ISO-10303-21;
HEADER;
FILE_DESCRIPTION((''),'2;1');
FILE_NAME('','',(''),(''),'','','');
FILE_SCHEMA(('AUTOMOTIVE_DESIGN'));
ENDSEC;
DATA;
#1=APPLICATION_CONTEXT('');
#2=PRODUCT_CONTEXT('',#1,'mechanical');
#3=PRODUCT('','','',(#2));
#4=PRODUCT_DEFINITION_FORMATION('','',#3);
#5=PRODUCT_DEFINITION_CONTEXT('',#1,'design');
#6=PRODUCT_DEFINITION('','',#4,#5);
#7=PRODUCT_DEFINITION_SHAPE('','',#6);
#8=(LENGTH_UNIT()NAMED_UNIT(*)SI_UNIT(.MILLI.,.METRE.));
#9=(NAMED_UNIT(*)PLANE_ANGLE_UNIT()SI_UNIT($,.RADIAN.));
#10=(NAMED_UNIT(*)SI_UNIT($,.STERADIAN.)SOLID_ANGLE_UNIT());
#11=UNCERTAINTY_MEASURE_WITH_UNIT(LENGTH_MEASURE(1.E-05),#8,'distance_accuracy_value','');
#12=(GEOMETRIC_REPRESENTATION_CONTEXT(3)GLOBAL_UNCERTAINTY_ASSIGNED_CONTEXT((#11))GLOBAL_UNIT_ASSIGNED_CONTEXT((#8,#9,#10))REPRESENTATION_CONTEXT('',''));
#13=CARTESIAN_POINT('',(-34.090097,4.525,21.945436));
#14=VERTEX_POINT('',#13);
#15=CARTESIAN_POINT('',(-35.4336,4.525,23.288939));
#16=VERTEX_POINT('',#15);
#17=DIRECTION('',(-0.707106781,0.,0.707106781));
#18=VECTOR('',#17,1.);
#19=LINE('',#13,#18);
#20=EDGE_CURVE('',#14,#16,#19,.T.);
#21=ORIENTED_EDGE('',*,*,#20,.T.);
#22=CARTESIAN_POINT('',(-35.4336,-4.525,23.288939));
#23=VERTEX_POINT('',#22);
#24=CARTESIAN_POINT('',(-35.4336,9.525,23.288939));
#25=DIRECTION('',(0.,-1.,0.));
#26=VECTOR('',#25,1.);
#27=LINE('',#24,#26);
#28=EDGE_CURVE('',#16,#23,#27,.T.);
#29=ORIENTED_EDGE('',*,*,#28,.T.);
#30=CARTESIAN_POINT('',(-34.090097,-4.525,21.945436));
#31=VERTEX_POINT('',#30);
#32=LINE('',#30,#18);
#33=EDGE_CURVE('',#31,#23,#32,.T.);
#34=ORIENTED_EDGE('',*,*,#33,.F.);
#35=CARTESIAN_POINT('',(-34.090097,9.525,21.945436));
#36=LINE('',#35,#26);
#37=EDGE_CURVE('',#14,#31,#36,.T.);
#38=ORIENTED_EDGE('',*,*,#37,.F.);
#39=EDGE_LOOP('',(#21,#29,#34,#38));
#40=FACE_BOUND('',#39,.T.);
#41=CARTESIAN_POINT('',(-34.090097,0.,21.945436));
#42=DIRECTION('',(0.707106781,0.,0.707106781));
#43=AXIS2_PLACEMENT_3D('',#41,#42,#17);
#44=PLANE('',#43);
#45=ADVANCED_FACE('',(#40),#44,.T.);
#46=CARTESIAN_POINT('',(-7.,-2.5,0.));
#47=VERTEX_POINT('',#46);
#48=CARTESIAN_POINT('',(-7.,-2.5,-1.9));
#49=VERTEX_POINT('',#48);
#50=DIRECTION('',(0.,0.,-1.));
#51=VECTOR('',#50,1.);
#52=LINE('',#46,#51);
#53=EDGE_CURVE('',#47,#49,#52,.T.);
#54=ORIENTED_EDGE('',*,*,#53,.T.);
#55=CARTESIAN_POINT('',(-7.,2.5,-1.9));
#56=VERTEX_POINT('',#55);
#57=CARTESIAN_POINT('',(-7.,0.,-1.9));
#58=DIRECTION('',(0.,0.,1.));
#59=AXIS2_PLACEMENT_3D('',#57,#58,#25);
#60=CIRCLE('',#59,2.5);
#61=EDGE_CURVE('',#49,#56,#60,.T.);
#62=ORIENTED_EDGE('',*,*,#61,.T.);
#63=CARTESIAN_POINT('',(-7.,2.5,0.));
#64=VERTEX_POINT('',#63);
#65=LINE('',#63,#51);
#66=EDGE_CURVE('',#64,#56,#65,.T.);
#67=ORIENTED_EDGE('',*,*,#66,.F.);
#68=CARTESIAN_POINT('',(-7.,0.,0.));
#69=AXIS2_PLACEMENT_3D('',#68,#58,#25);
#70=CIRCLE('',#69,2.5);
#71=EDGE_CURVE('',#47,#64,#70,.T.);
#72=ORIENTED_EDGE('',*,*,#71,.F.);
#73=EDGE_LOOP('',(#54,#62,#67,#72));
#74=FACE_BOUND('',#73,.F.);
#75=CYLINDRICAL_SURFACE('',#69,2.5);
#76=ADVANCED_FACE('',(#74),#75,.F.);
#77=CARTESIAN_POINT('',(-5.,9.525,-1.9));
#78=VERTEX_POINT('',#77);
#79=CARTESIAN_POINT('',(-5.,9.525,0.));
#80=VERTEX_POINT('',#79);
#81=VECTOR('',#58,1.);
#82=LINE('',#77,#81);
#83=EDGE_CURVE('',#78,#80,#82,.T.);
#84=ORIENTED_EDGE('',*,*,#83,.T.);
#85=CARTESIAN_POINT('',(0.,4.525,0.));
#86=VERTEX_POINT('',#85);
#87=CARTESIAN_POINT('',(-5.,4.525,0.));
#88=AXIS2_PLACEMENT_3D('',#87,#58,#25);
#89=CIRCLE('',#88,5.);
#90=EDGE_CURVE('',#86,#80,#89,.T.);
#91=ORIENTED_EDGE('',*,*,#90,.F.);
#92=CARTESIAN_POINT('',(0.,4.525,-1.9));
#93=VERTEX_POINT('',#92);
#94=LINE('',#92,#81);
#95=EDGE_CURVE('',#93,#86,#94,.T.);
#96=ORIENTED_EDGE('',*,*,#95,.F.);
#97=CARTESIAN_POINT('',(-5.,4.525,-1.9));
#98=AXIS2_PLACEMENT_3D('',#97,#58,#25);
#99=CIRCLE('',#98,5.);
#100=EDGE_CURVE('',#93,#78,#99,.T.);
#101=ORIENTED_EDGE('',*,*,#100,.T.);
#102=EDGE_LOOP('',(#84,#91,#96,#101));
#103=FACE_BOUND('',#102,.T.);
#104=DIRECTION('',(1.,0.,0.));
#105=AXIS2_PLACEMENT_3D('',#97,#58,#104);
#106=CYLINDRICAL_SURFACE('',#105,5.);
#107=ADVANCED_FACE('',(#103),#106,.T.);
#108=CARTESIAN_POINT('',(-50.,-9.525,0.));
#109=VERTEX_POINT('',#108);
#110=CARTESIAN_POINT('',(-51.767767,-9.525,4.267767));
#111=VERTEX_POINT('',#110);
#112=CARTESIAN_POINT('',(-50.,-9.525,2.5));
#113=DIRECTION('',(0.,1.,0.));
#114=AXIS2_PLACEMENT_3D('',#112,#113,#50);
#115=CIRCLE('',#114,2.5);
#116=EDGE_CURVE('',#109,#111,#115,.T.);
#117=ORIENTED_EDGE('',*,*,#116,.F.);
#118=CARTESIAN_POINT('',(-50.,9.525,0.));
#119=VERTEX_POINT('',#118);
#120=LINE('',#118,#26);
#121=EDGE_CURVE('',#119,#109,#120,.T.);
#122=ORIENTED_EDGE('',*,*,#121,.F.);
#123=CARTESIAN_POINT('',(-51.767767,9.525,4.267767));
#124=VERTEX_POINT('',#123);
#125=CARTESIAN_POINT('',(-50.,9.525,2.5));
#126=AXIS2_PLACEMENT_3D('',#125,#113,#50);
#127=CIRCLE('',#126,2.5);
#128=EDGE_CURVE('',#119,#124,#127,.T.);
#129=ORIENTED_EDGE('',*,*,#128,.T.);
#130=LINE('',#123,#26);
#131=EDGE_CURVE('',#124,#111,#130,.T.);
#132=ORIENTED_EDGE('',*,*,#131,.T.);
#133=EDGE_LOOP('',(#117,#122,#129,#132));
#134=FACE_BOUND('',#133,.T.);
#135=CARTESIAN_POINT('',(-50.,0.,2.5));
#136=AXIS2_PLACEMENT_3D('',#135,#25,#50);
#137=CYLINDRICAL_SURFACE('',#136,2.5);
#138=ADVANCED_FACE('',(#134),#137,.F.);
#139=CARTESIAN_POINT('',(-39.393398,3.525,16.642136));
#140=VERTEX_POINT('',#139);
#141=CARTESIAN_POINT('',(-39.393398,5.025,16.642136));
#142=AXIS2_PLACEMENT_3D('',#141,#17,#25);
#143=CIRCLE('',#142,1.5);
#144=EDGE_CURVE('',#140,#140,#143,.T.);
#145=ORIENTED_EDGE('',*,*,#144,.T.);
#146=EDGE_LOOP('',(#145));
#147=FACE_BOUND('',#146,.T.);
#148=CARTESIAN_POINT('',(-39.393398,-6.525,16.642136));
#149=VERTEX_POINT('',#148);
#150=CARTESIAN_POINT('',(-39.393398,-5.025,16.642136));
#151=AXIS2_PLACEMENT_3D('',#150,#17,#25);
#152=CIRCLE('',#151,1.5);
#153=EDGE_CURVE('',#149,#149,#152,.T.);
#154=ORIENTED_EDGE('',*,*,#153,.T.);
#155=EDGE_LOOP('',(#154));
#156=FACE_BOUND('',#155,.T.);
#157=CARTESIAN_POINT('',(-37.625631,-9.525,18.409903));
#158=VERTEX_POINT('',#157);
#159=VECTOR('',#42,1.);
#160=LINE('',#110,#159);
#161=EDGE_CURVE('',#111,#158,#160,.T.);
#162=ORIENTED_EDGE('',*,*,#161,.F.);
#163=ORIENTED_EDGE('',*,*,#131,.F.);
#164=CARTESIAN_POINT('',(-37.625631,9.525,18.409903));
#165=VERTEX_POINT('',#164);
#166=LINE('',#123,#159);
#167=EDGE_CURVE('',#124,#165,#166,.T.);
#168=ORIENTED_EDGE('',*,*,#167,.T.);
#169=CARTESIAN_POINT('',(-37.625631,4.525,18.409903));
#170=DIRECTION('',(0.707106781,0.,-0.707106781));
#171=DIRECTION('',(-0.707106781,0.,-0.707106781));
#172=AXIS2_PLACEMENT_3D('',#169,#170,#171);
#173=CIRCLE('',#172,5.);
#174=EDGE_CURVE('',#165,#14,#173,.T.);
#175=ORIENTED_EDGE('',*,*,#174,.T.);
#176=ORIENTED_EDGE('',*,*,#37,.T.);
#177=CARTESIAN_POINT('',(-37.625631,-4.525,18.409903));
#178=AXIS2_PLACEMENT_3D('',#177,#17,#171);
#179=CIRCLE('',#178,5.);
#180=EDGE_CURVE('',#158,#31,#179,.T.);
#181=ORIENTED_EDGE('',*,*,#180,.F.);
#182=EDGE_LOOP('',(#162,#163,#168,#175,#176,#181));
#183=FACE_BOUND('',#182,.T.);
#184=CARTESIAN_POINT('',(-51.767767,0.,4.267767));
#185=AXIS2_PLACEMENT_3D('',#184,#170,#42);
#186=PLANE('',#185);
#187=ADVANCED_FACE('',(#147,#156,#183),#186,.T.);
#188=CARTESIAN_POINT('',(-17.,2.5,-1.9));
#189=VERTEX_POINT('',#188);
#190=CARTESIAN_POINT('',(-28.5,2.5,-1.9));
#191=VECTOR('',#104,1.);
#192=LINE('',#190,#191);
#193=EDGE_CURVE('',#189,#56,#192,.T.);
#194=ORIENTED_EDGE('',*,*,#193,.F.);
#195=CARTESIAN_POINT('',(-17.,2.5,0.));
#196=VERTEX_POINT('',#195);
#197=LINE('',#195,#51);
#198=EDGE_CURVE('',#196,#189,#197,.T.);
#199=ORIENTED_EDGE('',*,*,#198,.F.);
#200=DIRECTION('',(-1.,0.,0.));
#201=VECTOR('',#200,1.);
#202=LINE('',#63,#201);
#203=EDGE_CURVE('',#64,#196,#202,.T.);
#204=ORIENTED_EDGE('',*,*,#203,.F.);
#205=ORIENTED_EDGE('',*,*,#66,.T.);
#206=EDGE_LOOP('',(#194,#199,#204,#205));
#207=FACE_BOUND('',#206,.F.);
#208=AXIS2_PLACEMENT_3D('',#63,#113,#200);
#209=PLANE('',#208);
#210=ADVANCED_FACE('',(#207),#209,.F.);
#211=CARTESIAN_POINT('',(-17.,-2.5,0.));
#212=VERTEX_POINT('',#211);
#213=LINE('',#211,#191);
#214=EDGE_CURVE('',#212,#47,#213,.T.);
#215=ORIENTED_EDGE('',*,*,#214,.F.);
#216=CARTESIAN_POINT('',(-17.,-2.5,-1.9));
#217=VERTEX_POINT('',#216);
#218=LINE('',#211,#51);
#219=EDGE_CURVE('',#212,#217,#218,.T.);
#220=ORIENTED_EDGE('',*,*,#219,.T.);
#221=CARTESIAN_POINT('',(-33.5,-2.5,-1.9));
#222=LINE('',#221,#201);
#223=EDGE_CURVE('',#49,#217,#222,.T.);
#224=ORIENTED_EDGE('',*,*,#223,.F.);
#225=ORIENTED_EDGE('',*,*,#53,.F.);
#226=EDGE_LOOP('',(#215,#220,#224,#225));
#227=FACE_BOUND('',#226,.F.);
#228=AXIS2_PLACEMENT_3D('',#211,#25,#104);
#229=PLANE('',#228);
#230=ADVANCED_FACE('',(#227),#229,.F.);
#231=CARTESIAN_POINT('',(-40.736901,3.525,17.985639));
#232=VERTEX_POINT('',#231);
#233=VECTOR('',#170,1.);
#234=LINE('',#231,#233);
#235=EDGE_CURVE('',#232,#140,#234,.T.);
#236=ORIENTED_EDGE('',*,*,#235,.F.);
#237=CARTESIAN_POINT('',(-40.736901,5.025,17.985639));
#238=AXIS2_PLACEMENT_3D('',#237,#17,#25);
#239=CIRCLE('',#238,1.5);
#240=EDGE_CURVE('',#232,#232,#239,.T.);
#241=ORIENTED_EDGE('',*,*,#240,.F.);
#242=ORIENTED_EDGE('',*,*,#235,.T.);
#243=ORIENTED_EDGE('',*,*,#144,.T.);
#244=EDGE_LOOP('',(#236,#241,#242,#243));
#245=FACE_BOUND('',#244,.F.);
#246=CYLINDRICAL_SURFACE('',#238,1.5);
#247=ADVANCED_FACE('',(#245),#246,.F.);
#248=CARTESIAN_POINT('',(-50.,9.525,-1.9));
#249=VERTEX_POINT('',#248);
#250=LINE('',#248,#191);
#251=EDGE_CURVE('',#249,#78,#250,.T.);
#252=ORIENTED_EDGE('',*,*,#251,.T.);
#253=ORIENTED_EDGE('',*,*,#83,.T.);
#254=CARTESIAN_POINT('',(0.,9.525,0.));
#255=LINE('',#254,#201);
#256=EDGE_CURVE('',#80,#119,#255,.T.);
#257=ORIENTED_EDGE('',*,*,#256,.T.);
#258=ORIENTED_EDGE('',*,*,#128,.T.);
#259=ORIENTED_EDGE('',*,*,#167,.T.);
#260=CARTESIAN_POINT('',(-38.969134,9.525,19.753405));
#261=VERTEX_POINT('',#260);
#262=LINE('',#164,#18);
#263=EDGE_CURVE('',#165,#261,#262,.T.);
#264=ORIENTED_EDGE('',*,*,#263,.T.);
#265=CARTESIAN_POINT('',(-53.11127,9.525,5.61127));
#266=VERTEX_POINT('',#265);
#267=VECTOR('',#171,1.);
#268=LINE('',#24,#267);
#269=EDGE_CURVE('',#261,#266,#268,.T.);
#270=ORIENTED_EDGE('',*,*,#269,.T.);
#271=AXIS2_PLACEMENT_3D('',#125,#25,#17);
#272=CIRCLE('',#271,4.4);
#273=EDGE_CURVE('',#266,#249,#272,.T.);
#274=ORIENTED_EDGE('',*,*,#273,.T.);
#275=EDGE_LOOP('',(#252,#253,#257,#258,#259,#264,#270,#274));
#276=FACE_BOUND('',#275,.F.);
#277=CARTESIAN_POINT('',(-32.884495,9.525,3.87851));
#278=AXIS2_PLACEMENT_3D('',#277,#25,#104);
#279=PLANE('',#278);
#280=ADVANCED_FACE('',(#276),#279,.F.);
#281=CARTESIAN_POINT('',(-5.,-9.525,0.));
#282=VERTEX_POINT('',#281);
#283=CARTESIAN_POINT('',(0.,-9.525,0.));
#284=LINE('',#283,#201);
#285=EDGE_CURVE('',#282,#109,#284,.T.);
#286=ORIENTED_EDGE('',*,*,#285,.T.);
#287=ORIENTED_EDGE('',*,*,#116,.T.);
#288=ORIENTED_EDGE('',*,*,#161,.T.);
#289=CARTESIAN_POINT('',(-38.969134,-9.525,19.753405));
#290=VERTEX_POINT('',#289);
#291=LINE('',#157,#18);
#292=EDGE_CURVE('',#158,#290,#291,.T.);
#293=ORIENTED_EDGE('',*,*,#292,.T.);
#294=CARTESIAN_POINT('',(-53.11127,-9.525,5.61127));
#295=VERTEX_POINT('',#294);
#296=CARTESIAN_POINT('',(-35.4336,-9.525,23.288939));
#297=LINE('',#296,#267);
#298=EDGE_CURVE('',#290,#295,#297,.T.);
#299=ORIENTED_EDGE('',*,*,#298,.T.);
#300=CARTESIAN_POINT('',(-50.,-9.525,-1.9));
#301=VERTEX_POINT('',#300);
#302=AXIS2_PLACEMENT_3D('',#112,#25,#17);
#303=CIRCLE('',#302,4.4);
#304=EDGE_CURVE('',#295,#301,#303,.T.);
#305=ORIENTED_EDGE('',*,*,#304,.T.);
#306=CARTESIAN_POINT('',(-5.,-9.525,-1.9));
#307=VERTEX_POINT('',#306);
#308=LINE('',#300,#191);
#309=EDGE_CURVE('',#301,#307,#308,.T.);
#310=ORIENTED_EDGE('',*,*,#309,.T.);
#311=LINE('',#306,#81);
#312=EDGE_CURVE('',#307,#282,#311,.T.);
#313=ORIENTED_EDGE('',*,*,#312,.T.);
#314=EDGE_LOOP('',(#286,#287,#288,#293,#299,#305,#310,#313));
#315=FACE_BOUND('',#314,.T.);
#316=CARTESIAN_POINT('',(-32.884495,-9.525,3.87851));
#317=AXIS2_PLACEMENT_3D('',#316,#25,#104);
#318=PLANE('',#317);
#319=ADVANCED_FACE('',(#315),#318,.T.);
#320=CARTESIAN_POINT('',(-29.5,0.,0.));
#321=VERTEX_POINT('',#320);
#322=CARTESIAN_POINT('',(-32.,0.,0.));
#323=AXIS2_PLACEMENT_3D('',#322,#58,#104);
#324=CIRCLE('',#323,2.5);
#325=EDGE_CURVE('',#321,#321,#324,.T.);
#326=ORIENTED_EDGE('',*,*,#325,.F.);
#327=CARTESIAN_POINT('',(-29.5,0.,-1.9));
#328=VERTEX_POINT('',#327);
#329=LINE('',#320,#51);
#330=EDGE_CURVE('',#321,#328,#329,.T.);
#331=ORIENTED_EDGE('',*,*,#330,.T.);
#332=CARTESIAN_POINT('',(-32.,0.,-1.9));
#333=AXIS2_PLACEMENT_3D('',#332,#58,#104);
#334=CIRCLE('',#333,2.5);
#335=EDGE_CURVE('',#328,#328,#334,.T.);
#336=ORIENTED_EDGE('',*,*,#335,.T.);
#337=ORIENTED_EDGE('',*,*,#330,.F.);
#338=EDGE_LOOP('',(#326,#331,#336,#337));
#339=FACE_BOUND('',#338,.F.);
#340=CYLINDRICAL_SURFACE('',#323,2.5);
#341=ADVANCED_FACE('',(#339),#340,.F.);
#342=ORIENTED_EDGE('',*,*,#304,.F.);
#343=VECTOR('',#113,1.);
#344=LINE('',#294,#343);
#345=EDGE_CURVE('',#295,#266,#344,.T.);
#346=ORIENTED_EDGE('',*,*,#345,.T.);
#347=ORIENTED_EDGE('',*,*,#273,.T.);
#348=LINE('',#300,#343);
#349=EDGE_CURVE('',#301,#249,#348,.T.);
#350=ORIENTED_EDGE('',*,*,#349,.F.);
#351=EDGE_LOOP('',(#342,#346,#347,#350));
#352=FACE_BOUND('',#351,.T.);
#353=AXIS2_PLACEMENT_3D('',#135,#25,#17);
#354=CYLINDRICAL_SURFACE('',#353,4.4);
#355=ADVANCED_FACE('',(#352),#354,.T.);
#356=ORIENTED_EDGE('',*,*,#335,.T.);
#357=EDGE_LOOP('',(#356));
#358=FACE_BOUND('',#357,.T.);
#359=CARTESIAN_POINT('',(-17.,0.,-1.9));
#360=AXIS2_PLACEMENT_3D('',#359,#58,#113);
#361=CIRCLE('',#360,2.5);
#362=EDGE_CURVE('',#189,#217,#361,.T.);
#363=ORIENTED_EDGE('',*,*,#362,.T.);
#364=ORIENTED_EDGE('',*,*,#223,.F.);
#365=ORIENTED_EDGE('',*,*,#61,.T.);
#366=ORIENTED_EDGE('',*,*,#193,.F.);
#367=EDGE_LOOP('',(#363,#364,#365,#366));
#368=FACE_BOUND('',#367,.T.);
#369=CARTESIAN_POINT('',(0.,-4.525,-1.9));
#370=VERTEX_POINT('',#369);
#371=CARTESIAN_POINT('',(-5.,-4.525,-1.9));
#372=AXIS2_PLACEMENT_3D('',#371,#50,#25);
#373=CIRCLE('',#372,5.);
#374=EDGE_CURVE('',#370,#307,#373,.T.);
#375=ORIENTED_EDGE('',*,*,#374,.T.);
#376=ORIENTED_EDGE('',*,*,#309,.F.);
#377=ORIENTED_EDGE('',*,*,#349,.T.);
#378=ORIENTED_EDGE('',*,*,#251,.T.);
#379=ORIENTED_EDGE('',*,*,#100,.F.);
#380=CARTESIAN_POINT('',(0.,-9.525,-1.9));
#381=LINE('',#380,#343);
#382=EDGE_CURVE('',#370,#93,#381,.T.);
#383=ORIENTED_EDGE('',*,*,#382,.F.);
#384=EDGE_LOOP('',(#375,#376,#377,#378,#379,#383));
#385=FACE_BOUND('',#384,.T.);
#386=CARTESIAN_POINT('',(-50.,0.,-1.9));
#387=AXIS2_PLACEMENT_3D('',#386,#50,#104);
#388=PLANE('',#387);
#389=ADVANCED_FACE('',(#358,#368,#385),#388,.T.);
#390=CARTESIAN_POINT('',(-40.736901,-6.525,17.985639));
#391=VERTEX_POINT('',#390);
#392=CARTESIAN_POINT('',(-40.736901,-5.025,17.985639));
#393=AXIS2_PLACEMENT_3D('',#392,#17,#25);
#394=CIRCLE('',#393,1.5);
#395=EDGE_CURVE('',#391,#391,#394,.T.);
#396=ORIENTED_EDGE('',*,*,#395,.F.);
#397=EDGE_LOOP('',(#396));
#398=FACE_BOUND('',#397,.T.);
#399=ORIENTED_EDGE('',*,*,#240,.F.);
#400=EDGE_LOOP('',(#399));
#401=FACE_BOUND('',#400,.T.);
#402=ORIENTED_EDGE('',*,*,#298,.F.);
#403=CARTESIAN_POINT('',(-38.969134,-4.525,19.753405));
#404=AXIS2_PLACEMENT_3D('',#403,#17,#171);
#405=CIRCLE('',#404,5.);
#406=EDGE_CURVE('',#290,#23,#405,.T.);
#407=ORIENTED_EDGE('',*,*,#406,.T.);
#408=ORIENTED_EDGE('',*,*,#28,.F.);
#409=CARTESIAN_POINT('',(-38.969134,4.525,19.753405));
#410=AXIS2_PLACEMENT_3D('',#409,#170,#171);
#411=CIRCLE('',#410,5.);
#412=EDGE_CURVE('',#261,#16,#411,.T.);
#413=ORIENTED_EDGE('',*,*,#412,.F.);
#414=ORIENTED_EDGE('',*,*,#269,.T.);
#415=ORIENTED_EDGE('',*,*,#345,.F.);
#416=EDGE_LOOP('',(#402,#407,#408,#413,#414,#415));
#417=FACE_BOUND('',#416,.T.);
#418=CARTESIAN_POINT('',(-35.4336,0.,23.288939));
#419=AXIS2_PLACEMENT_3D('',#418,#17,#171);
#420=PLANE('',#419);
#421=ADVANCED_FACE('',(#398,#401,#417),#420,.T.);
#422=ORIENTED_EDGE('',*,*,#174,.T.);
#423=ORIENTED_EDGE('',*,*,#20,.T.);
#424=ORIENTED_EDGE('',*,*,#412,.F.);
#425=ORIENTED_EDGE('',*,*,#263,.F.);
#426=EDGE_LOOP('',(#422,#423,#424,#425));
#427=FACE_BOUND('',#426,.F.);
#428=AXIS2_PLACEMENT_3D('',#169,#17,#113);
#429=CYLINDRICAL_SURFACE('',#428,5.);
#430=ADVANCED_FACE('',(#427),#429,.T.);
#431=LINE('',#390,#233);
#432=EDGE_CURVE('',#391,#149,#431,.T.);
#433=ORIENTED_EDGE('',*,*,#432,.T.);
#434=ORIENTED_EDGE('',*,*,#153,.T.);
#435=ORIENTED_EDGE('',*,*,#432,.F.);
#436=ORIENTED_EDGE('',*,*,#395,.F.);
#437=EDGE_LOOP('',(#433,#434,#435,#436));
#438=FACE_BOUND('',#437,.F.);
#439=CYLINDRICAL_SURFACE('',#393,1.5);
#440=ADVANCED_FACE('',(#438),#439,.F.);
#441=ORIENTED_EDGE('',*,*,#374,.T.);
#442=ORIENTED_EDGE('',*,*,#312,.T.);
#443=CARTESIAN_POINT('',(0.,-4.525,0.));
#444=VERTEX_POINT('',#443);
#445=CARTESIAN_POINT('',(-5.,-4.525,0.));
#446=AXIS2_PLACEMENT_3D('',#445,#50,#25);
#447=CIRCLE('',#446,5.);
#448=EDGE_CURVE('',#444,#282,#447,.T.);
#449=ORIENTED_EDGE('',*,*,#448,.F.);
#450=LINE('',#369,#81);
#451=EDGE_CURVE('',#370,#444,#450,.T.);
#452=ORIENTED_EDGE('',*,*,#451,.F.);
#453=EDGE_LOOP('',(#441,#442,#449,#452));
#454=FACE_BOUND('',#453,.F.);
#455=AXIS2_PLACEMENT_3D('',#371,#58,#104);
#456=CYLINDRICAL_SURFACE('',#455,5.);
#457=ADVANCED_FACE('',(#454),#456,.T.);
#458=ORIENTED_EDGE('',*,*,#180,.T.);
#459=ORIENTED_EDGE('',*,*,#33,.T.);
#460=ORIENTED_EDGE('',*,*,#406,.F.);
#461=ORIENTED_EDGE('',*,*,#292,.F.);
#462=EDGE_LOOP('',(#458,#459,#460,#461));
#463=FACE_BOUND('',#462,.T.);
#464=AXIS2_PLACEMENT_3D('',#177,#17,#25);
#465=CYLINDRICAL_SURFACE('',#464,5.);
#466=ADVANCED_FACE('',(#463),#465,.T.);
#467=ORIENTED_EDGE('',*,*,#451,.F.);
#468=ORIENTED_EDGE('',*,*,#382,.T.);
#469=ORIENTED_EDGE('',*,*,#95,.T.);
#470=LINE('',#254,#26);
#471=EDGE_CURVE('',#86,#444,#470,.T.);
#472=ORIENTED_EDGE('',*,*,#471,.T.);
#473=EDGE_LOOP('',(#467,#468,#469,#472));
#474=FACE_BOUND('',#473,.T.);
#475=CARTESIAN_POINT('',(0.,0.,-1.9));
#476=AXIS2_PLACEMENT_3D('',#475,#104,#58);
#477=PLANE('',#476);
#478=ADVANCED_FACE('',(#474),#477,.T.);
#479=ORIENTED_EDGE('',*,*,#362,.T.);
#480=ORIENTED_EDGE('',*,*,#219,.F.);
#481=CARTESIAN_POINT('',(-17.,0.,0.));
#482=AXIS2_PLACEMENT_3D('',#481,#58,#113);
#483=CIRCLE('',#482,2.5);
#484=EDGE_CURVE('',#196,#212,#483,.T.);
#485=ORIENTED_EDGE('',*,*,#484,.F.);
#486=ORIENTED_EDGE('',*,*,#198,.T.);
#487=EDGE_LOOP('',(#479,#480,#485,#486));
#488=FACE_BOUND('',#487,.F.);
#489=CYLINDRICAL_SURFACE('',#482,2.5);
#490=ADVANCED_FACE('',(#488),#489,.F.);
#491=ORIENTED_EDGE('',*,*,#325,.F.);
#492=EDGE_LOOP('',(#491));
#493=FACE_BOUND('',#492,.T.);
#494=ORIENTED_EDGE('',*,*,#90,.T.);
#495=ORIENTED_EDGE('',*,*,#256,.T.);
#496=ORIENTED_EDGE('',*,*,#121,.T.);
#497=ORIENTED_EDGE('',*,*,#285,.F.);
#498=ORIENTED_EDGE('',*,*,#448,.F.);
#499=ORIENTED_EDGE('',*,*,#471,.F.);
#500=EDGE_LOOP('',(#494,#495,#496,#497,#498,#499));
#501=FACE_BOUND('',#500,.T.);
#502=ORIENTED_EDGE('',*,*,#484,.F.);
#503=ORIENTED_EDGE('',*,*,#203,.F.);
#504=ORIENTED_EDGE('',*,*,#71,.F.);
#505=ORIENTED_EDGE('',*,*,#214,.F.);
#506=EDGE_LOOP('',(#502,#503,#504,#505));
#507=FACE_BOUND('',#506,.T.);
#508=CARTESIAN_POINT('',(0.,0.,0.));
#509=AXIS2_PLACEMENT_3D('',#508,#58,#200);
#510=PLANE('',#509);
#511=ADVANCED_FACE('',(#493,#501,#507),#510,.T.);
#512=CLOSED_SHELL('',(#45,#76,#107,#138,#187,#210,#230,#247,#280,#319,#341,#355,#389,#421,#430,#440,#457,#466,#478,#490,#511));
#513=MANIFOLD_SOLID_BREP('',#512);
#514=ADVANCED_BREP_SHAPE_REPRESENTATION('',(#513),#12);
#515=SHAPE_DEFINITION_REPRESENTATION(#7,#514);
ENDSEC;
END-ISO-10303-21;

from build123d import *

# Parameters (mm, degrees)
F1_DEPTH = 9.525
F2_R     = 2.5
F3_DEPTH = 25
F4_R     = 1.5
F5_DEPTH = 1.9
F6_R     = 5


with BuildPart() as f1:
    # F0 (on Front) → F1 (new body, symmetric)
    with BuildSketch(Plane.XZ):
        with BuildLine():
            Line((0, -1.9), (0, 0))
            Line((0, 0), (-50, 0))
            ThreePointArc((-50, 0), (-52.3096988313, 1.5432914191), (-51.767766953, 4.267766953))
            Line((-51.767766953, 4.267766953), (-34.0900974233, 21.9454364826))
            Line((-34.0900974233, 21.9454364826), (-35.4336003076, 23.2889393669))
            Line((-35.4336003076, 23.2889393669), (-53.1112698372, 5.6112698372))
            ThreePointArc((-53.1112698372, 5.6112698372), (-54.065069943, 0.8161928976), (-50, -1.9))
            Line((-50, -1.9), (0, -1.9))
        make_face()
    extrude(amount=F1_DEPTH, both=True)

    # F2 (on face) → F3 (cut)
    with BuildSketch(Plane.XY):
        with Locations((-32, 0)):
            Circle(F2_R)
        with BuildLine():
            Line((-17, -2.5), (-7, -2.5))
            ThreePointArc((-7, -2.5), (-4.5, 0), (-7, 2.5))
            Line((-7, 2.5), (-17, 2.5))
            ThreePointArc((-17, 2.5), (-19.5, 0), (-17, -2.5))
        make_face()
    extrude(amount=-F3_DEPTH, mode=Mode.SUBTRACT)

    # F4 (on face) → F5 (cut, through all)
    with BuildSketch(Plane(origin=(-29.3612698372, 0, 29.3612698372), x_dir=(0, -1, 0), z_dir=(-0.7071067812, 0, 0.7071067812))):
        with Locations((-5.025, -16.0875721064)):
            Circle(F4_R)
        with Locations((5.025, -16.0875721064)):
            Circle(F4_R)
    extrude(amount=-F5_DEPTH, mode=Mode.SUBTRACT)

    # F6
    f6_edges = [f1.edges().sort_by_distance(p)[0] for p in [
        (-34.761849, -9.525, 22.617188),
        (-34.761849, 9.525, 22.617188),
        (0, -9.525, -0.95),
        (0, 9.525, -0.95),
    ]]
    fillet(f6_edges, radius=F6_R)


solid = f1.part
